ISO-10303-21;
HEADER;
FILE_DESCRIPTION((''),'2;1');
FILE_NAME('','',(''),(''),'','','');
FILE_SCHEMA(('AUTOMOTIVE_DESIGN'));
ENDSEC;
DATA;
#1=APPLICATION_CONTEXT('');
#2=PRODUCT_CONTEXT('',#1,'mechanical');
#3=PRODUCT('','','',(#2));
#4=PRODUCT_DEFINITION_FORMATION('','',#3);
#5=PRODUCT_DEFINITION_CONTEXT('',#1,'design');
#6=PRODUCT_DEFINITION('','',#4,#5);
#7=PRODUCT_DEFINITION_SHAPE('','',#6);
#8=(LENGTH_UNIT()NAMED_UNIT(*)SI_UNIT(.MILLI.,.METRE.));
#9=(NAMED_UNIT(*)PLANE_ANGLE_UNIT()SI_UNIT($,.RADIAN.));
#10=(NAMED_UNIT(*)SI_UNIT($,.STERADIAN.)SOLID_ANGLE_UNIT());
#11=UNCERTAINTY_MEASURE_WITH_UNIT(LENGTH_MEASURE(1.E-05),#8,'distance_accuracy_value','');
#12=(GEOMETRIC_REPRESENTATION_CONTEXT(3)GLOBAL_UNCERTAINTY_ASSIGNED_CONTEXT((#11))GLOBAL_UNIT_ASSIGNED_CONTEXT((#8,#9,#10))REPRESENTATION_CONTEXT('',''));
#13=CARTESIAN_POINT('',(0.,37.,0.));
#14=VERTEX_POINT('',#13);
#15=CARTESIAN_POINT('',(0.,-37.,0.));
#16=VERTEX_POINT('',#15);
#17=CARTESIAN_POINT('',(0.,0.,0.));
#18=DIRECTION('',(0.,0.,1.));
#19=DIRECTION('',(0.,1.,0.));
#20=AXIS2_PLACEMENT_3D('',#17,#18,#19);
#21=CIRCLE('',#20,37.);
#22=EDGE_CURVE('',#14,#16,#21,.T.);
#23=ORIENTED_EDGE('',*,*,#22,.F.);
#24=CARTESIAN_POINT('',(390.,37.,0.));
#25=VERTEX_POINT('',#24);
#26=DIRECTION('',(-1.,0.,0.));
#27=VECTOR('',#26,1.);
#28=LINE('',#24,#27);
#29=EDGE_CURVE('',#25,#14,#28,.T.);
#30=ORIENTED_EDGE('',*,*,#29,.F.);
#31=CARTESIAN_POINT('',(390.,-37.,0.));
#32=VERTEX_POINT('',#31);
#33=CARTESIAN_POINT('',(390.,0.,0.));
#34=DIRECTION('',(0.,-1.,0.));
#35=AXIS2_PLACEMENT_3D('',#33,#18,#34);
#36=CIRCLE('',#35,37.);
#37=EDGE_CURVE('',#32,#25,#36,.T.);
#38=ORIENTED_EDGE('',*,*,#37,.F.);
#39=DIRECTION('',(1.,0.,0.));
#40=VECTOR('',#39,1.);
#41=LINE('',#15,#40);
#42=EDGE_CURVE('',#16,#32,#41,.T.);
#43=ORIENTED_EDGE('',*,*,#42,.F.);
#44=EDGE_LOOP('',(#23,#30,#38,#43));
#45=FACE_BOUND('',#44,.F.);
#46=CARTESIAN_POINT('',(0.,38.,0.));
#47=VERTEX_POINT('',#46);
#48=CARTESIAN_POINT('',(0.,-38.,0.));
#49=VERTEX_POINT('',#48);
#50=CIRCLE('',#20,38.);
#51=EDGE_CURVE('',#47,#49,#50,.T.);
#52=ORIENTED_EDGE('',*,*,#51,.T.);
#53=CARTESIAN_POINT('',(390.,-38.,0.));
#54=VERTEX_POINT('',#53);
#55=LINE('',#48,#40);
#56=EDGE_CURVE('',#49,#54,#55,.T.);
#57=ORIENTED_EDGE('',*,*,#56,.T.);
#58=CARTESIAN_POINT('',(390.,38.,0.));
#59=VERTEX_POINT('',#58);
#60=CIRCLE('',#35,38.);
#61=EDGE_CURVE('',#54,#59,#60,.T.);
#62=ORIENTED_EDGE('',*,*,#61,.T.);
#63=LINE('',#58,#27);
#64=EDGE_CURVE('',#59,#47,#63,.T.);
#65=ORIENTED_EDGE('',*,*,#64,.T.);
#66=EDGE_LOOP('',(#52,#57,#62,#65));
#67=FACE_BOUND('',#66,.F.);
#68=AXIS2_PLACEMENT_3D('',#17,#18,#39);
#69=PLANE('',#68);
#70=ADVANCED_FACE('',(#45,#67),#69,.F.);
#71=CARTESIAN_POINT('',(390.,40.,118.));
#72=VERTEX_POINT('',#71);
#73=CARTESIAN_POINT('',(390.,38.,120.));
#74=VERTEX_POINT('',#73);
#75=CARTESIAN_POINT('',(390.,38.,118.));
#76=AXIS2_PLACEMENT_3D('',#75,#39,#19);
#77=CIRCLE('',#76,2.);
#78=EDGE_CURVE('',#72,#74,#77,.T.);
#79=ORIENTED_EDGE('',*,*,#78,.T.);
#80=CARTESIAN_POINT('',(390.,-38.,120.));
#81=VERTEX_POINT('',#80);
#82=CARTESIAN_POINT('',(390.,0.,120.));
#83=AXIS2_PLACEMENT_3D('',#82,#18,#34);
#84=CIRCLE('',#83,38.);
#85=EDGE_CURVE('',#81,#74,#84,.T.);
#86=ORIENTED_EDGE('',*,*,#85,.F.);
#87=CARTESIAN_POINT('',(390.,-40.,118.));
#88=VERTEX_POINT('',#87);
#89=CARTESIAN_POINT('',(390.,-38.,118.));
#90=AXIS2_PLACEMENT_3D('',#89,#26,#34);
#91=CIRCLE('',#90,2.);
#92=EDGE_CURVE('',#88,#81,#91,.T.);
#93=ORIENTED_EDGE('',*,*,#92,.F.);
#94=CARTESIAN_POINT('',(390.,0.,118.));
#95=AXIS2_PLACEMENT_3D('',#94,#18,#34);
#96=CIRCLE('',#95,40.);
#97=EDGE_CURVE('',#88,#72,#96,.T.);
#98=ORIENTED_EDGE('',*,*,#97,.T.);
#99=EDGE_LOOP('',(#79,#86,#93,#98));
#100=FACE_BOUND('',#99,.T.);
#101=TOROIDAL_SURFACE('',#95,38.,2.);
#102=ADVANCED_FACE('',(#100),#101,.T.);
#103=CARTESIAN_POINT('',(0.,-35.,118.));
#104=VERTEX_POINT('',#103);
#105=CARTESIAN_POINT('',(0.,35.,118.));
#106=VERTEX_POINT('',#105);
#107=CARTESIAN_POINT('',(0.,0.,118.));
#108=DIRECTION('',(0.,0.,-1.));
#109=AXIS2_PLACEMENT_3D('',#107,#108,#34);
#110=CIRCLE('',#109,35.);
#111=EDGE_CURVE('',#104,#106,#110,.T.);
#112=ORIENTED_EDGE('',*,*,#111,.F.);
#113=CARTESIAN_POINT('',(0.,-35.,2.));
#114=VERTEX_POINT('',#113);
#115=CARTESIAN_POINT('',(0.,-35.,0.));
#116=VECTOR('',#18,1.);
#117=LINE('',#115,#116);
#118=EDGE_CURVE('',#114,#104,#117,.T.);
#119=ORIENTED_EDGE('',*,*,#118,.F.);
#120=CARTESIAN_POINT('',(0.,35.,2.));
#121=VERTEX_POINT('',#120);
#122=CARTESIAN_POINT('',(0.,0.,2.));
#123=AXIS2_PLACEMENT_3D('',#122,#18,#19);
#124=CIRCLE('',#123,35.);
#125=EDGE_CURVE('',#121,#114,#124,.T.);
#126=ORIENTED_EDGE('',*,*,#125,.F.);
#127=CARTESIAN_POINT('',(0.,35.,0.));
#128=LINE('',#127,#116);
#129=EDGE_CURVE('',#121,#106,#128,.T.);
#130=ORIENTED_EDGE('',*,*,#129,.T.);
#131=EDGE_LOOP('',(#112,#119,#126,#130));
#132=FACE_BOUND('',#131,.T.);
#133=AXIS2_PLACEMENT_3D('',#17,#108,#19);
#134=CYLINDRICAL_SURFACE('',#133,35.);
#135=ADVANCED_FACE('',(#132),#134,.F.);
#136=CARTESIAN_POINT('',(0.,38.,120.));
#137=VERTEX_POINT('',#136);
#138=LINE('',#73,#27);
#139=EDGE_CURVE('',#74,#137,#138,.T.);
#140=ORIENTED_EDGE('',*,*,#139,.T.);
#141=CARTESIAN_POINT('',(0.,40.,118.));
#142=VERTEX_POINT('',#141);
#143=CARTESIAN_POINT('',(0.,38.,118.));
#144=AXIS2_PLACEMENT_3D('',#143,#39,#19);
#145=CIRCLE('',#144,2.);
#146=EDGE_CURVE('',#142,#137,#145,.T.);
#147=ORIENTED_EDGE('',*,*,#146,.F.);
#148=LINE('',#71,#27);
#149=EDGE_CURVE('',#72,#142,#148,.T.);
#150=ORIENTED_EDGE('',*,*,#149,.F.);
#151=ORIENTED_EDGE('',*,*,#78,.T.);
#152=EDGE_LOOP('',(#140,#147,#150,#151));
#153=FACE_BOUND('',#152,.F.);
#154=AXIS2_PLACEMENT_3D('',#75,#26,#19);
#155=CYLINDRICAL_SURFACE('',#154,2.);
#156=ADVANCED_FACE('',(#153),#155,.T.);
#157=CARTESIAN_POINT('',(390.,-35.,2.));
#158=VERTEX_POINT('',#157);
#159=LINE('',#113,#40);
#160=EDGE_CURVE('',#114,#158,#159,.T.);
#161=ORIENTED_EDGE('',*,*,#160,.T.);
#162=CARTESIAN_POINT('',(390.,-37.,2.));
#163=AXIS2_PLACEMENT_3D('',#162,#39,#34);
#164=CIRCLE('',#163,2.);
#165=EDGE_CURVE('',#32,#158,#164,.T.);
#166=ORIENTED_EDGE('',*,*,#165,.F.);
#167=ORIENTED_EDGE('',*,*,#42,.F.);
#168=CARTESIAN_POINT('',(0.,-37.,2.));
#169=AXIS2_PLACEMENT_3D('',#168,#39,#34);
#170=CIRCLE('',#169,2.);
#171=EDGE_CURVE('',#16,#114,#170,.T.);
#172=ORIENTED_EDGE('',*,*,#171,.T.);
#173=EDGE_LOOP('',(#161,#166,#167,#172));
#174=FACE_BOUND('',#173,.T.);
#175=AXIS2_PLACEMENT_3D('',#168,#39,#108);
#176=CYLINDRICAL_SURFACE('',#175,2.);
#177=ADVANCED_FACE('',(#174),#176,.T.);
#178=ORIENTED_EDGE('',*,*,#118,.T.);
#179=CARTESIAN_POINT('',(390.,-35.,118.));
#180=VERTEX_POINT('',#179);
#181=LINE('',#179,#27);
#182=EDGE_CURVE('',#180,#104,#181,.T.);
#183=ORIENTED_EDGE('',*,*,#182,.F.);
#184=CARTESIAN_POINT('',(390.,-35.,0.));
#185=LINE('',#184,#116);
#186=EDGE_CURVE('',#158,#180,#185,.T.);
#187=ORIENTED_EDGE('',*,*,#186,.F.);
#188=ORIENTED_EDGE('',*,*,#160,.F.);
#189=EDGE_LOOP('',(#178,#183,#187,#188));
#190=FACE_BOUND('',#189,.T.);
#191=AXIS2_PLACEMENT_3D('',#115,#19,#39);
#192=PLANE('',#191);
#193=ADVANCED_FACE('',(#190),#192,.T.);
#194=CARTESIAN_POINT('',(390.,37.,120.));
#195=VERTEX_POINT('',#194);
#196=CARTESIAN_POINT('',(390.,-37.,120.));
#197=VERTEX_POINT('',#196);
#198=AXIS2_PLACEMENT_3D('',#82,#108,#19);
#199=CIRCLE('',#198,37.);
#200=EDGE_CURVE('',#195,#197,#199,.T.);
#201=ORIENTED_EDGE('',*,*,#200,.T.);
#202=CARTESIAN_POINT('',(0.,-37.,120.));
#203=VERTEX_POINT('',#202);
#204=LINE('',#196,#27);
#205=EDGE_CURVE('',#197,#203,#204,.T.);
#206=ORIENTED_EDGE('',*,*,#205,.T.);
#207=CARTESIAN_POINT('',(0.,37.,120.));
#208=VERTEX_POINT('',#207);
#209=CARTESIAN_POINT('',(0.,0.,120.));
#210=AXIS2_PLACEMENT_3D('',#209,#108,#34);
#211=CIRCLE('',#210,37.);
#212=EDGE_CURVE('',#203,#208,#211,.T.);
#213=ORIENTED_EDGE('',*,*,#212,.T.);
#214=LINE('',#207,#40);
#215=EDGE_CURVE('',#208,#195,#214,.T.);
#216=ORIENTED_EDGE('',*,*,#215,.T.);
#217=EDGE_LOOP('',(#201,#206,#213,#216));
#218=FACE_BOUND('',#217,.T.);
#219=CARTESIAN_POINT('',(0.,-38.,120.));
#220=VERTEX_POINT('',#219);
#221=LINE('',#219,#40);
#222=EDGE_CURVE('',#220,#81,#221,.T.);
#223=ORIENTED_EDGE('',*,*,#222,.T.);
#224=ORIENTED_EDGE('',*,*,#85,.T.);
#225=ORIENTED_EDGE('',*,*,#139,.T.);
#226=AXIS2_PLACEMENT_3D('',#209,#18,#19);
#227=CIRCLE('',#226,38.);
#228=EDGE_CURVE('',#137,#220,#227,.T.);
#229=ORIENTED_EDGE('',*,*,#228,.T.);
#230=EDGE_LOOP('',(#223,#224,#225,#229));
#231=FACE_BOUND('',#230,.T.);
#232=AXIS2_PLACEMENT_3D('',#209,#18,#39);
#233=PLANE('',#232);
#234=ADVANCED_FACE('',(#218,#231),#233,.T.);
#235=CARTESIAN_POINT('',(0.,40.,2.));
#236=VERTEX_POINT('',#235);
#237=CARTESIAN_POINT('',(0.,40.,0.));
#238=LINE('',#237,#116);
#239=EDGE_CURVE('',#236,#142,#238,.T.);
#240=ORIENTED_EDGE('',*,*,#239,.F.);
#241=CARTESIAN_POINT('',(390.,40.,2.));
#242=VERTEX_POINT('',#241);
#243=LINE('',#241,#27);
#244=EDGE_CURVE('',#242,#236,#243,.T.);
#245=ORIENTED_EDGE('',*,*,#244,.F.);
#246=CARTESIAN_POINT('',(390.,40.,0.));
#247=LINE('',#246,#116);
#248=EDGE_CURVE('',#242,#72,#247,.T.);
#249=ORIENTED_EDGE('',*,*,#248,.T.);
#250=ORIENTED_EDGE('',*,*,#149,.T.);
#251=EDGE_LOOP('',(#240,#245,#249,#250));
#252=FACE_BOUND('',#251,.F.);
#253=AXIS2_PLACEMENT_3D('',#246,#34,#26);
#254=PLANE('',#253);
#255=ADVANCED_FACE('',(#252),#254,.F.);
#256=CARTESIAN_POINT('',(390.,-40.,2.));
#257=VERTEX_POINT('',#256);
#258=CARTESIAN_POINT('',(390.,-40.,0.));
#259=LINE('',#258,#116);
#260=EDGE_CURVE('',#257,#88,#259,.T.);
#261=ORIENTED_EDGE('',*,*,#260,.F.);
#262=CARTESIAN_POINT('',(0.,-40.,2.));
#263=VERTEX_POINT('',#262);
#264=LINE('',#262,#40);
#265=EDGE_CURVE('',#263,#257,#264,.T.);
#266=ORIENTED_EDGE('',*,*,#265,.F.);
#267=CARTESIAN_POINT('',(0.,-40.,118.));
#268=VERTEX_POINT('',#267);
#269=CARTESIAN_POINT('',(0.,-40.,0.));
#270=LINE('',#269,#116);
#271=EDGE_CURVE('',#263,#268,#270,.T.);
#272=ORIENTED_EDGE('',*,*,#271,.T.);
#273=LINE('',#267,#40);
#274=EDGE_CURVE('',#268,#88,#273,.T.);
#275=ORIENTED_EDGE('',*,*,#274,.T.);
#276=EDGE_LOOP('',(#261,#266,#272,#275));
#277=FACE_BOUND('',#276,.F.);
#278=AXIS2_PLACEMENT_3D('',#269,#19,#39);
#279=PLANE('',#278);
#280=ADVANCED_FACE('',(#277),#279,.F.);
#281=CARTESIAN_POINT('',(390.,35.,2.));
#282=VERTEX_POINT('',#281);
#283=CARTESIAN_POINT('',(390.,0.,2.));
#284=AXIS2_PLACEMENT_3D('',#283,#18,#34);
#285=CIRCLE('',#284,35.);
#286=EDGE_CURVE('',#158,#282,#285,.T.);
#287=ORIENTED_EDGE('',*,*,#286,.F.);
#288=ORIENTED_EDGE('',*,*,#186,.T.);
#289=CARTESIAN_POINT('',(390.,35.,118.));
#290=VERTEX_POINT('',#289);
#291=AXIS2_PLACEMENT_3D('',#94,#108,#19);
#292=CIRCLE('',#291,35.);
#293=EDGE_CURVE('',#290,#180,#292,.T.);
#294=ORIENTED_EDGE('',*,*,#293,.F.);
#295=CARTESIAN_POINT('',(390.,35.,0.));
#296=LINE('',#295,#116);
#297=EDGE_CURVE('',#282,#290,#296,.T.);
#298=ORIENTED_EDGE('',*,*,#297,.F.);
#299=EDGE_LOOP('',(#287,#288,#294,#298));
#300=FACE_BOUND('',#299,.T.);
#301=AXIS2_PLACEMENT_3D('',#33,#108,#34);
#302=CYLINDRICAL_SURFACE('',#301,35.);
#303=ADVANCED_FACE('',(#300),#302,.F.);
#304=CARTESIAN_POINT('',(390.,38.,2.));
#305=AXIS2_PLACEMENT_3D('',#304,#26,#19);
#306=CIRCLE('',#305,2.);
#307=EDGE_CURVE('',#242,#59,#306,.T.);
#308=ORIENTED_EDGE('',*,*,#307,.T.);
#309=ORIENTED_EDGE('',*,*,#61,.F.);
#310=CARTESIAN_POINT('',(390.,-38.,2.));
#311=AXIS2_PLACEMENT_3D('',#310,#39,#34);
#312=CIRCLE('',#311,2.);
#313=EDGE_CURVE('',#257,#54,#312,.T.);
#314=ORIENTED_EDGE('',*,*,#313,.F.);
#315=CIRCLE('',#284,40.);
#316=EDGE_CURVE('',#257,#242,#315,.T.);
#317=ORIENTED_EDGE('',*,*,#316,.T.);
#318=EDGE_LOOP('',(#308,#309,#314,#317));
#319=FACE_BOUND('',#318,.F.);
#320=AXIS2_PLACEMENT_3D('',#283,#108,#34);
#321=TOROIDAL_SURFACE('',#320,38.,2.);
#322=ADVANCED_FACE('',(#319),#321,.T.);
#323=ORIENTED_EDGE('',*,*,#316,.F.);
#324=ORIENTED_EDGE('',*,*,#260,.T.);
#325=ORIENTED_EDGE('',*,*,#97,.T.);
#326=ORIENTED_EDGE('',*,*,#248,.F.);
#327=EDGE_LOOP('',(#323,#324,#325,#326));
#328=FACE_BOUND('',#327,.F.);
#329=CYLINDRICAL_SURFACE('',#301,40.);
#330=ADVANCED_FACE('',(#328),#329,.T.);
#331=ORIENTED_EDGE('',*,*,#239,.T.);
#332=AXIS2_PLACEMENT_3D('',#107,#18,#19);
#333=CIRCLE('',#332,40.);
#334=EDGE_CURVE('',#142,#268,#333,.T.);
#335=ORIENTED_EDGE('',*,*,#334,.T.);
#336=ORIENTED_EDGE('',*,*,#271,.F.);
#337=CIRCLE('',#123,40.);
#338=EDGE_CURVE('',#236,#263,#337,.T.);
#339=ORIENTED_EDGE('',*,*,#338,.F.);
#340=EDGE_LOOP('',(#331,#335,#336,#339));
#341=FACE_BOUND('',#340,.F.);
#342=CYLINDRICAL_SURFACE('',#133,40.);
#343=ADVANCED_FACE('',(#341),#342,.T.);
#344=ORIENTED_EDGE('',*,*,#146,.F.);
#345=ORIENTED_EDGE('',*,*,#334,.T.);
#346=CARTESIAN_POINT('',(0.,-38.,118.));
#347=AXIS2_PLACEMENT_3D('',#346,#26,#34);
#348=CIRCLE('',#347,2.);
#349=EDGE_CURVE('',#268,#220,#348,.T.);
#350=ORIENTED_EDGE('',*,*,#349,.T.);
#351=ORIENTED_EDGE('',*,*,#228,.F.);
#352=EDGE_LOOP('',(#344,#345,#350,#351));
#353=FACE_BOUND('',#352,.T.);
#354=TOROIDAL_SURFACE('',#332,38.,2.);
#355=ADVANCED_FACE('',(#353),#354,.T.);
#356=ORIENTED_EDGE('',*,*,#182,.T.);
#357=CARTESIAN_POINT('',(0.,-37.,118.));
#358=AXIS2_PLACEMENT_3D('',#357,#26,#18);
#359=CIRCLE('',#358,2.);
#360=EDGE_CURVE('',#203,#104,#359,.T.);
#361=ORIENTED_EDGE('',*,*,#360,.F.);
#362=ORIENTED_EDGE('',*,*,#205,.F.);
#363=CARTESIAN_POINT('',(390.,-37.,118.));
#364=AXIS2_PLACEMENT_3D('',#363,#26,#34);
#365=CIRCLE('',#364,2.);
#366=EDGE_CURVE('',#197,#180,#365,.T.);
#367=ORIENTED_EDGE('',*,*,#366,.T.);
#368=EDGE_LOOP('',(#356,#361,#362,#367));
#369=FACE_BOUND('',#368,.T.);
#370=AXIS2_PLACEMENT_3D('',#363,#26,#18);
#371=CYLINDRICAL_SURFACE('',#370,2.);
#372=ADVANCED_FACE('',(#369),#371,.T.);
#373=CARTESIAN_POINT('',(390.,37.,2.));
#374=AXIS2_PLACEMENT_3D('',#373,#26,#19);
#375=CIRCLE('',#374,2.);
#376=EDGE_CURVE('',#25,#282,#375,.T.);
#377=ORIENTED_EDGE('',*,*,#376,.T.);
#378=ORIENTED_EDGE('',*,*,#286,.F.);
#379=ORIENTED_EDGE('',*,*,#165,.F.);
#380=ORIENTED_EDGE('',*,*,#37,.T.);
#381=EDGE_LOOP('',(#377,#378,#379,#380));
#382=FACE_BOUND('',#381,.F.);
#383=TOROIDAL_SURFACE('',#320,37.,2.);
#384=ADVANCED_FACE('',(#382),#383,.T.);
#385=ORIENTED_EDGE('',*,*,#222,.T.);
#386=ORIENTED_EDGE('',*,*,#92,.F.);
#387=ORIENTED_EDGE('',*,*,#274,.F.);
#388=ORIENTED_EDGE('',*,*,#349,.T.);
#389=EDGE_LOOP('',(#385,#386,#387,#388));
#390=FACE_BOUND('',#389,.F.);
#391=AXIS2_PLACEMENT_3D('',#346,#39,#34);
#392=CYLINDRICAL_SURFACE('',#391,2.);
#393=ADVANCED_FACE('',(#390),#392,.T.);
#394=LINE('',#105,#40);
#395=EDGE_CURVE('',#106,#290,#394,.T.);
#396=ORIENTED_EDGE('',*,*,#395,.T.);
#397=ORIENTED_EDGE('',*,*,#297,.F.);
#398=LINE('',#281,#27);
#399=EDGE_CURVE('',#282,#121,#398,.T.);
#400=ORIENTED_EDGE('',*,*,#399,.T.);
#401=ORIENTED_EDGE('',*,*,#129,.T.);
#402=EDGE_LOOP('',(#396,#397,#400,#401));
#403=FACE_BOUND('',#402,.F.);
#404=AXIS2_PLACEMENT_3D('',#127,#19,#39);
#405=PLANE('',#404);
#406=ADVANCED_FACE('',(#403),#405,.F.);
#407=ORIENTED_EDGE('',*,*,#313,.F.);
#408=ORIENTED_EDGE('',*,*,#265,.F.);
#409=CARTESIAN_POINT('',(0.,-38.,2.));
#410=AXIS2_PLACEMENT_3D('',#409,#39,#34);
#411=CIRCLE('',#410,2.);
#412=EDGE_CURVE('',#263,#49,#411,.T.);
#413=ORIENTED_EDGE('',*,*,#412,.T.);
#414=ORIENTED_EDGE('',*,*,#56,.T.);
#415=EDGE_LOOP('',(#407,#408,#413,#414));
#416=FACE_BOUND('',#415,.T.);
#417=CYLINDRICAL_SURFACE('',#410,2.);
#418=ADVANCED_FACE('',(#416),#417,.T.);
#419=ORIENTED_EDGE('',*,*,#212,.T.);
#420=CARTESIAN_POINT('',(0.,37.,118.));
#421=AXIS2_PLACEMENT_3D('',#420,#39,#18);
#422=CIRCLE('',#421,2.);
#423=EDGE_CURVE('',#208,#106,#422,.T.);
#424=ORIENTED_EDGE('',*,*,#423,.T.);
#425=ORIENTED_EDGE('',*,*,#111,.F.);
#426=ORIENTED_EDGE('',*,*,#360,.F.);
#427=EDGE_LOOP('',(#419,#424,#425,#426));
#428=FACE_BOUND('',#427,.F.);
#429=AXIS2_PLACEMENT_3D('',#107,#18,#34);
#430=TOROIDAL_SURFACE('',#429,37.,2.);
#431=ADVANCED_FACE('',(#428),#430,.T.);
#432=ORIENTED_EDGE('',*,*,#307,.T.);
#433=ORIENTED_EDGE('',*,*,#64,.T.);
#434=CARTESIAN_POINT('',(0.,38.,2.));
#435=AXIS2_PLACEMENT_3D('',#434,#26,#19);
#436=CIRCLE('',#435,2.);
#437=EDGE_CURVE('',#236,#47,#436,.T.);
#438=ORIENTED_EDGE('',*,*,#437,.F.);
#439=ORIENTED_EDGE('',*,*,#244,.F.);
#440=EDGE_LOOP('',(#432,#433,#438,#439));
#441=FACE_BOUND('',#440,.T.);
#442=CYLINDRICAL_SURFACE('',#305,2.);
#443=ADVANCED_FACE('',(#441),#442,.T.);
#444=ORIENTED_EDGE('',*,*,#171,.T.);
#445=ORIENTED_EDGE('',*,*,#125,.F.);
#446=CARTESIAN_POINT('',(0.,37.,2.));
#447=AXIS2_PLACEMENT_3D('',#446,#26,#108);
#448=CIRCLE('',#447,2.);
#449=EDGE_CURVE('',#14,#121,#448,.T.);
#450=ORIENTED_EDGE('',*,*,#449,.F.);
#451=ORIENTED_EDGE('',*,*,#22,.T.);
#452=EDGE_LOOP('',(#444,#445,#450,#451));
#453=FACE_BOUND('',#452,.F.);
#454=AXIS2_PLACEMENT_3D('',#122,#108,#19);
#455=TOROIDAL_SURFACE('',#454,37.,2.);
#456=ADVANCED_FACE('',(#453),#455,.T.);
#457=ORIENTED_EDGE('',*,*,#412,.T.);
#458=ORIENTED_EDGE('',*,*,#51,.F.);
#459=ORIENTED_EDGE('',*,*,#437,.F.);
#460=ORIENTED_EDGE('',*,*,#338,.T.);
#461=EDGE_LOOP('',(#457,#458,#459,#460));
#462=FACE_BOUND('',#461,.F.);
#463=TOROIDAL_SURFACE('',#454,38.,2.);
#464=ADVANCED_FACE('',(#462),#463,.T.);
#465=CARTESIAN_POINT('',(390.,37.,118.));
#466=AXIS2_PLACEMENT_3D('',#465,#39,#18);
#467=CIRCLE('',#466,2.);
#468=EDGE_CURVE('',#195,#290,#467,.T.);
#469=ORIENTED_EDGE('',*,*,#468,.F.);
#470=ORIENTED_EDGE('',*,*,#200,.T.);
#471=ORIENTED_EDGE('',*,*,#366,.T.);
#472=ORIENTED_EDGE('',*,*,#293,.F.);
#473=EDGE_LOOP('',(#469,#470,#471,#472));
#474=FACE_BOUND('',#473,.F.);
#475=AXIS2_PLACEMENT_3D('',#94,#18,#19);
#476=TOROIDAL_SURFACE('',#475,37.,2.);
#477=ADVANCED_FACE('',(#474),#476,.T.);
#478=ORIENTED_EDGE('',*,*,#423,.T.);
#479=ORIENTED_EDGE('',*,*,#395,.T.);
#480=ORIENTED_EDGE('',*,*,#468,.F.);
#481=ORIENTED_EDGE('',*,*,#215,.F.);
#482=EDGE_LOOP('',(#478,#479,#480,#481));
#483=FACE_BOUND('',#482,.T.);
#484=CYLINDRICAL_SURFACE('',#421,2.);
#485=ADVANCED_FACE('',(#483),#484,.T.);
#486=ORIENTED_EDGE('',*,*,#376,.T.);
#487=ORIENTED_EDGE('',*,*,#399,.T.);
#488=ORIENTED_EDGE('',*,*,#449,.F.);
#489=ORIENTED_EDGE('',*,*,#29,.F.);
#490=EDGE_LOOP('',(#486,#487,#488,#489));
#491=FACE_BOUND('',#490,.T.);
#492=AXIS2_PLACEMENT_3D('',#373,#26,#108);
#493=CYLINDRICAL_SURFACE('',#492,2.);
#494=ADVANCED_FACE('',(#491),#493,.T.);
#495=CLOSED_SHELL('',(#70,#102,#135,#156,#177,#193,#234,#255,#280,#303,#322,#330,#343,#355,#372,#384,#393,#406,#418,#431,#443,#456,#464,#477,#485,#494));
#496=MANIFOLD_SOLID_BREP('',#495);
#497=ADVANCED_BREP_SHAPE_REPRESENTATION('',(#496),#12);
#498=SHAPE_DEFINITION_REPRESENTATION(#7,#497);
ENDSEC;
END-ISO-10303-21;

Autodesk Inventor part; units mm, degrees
ref_plane "YZ Plane" through (0, 0, 0) normal (1, 0, 0) x (0, 1, 0)
ref_plane "XZ Plane" through (0, 0, 0) normal (0, 1, 0) x (-1, 0, 0)
ref_plane "XY Plane" through (0, 0, 0) normal (0, 0, 1) x (1, 0, 0)
sketch "Szkic1" plane through (0, 0, 0) normal (0, 0, 1) x (1, 0, 0)
  arc A0 (0, 35) -> (0, -35) centre (0, 0) ccw
  line L0 (0, 35) -> (390, 35)
  arc A1 (390, -35) -> (390, 35) centre (390, 0) ccw
  line L1 (0, -35) -> (390, -35)
  line L2 (390, 40) -> (0, 40)
  arc A2 (0, 40) -> (0, -40) centre (0, 0) ccw
  line L3 (0, -40) -> (390, -40)
  arc A3 (390, -40) -> (390, 40) centre (390, 0) ccw
  point P0 (424.991, -0.7958)
  dimension "d0" = 70
  dimension "d1" = 390
  dimension "d2" = 70
  dimension "d3" = 5
extrude "Wyciągnięcie proste1" add sketch "Szkic1" along normal blind 120
fillet "Zaokrąglenie1" radius 2 4 edges at (-40, 0, 120) (195, -40, 120) (430, 0, 120) (195, 40, 120)
fillet "Zaokrąglenie2" radius 2 4 edges at (195, 35, 120) (425, 0, 120) (195, -35, 120) (-35, 0, 120)
fillet "Zaokrąglenie3" radius 2 4 edges at (-40, 0, 0) (195, -40, 0) (430, 0, 0) (195, 40, 0)
fillet "Zaokrąglenie4" radius 2 4 edges at (425, 0, 0) (195, -35, 0) (-35, 0, 0) (195, 35, 0)
properties part number "pastran"
